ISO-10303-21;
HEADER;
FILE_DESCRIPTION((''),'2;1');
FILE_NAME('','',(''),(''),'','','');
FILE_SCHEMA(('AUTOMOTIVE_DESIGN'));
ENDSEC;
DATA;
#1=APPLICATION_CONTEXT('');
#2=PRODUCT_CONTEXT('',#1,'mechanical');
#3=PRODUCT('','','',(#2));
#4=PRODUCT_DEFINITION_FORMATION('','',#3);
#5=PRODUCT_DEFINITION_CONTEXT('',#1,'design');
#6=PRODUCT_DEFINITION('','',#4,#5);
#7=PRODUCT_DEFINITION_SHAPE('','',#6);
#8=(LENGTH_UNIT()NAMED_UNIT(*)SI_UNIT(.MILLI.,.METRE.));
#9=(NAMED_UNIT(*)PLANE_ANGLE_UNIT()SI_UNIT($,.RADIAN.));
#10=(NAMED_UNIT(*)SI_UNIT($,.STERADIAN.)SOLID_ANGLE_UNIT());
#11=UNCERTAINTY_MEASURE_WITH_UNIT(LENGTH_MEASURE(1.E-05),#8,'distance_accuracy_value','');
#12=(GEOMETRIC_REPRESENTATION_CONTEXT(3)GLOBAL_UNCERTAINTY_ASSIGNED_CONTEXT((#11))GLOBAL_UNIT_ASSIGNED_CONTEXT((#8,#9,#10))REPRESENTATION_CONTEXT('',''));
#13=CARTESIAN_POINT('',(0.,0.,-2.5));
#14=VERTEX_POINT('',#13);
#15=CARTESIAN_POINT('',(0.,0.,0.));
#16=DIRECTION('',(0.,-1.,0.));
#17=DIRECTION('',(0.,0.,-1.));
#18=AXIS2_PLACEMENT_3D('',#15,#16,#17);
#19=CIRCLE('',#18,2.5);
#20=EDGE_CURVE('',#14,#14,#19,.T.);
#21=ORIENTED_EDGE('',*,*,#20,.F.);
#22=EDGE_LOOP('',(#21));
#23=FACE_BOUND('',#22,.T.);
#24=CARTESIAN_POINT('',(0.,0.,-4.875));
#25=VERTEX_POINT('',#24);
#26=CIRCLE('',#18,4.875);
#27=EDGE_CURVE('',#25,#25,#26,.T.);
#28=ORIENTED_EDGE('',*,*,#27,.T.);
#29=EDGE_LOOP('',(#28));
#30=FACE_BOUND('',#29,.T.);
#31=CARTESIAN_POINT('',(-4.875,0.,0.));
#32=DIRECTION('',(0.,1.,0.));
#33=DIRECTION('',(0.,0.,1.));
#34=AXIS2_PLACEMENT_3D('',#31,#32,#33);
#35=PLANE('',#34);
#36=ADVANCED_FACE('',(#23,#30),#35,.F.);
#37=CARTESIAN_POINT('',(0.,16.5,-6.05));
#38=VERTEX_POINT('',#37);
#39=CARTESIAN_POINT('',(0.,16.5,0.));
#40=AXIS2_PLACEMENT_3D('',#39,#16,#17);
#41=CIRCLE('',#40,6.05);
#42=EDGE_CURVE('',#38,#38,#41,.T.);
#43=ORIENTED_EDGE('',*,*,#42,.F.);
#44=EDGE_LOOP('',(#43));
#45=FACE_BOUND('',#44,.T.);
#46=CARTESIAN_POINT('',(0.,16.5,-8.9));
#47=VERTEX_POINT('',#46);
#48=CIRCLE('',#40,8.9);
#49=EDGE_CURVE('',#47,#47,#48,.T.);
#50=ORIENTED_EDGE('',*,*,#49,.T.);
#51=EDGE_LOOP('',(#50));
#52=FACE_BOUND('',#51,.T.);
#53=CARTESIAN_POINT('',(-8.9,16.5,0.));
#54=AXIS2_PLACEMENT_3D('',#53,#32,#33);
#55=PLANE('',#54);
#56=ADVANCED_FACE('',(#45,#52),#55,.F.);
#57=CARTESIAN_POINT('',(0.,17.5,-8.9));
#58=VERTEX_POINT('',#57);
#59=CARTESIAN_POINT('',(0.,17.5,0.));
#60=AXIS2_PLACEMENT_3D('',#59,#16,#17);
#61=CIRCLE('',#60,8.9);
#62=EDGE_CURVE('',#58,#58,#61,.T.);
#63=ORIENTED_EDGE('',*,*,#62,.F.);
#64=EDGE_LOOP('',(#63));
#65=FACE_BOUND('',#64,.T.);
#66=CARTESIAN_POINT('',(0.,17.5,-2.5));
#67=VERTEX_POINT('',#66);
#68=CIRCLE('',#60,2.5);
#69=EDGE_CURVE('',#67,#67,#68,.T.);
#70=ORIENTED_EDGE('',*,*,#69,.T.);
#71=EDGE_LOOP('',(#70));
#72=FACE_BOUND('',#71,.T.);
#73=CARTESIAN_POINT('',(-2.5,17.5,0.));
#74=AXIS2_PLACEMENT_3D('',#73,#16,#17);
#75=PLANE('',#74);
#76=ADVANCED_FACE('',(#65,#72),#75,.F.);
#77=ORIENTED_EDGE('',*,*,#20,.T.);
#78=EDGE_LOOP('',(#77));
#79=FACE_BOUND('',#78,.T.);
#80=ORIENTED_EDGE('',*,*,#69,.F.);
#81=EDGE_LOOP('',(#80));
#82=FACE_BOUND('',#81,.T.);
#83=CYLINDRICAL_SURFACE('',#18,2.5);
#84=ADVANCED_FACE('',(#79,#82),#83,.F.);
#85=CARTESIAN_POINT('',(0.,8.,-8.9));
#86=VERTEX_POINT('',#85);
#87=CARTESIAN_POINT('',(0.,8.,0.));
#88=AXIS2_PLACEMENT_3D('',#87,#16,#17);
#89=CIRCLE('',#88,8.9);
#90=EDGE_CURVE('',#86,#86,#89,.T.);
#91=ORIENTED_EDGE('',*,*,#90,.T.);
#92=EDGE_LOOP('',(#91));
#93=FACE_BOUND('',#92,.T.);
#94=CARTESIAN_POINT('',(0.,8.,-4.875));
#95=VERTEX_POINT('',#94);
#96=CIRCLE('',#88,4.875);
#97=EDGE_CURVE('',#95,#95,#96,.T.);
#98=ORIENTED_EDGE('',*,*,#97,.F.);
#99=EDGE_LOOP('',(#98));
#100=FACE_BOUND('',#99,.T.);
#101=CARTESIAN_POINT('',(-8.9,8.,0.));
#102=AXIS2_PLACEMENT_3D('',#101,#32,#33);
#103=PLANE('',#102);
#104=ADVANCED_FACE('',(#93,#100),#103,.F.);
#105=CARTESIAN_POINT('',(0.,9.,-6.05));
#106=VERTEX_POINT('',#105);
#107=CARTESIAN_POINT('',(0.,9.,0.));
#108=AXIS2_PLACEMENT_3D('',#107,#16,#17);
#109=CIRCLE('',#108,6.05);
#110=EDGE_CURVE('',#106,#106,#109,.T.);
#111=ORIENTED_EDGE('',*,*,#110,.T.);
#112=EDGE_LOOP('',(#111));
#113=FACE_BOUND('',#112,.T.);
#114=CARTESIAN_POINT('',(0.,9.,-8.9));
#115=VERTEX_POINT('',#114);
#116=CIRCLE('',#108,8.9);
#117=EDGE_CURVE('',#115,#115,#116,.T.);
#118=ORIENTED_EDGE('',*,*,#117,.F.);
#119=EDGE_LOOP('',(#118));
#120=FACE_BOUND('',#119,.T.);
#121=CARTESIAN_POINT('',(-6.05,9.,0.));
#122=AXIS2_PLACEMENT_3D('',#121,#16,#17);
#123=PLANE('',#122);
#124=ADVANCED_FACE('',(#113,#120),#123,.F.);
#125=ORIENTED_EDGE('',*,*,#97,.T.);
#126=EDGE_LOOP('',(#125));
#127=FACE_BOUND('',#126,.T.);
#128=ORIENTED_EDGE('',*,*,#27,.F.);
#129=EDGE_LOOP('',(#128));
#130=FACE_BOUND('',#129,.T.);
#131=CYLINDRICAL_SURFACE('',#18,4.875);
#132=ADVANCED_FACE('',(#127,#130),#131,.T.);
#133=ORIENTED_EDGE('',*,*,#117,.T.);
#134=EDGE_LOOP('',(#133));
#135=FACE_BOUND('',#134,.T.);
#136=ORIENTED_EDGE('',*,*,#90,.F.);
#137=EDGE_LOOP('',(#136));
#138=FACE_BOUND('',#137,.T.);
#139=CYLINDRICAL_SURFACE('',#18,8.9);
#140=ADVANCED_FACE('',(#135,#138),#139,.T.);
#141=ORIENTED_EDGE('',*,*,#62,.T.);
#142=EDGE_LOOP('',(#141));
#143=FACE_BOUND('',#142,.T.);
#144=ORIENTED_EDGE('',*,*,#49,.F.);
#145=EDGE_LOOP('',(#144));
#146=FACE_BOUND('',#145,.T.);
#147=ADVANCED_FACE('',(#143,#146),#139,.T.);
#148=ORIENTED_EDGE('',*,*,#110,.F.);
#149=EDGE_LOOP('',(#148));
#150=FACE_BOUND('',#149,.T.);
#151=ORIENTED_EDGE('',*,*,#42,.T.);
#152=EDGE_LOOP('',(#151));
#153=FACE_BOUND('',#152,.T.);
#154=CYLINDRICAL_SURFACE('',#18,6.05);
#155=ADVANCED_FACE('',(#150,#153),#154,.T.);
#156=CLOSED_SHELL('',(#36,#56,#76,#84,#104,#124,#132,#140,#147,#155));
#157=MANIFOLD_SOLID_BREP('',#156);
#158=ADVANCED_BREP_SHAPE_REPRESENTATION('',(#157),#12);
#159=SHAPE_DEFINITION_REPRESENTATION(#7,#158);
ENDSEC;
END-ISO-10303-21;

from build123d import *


with BuildPart() as part:
    # Sketch1 → Revolve1 (revolve)
    with BuildSketch(Plane.XY, mode=Mode.PRIVATE) as revolve1_sk:
        Polygon((-2.5, 0), (-2.5, 17.5), (-8.9, 17.5), (-8.9, 16.5), (-6.05, 16.5), (-6.05, 9), (-8.9, 9), (-8.9, 8), (-4.875, 8), (-4.875, 0), align=None)
    revolve(revolve1_sk.sketch.rotate(Axis((0, 0, 0), (0, 1, 0)), 270), axis=Axis((0, 0, 0), (0, 1, 0)))


solid = part.part
